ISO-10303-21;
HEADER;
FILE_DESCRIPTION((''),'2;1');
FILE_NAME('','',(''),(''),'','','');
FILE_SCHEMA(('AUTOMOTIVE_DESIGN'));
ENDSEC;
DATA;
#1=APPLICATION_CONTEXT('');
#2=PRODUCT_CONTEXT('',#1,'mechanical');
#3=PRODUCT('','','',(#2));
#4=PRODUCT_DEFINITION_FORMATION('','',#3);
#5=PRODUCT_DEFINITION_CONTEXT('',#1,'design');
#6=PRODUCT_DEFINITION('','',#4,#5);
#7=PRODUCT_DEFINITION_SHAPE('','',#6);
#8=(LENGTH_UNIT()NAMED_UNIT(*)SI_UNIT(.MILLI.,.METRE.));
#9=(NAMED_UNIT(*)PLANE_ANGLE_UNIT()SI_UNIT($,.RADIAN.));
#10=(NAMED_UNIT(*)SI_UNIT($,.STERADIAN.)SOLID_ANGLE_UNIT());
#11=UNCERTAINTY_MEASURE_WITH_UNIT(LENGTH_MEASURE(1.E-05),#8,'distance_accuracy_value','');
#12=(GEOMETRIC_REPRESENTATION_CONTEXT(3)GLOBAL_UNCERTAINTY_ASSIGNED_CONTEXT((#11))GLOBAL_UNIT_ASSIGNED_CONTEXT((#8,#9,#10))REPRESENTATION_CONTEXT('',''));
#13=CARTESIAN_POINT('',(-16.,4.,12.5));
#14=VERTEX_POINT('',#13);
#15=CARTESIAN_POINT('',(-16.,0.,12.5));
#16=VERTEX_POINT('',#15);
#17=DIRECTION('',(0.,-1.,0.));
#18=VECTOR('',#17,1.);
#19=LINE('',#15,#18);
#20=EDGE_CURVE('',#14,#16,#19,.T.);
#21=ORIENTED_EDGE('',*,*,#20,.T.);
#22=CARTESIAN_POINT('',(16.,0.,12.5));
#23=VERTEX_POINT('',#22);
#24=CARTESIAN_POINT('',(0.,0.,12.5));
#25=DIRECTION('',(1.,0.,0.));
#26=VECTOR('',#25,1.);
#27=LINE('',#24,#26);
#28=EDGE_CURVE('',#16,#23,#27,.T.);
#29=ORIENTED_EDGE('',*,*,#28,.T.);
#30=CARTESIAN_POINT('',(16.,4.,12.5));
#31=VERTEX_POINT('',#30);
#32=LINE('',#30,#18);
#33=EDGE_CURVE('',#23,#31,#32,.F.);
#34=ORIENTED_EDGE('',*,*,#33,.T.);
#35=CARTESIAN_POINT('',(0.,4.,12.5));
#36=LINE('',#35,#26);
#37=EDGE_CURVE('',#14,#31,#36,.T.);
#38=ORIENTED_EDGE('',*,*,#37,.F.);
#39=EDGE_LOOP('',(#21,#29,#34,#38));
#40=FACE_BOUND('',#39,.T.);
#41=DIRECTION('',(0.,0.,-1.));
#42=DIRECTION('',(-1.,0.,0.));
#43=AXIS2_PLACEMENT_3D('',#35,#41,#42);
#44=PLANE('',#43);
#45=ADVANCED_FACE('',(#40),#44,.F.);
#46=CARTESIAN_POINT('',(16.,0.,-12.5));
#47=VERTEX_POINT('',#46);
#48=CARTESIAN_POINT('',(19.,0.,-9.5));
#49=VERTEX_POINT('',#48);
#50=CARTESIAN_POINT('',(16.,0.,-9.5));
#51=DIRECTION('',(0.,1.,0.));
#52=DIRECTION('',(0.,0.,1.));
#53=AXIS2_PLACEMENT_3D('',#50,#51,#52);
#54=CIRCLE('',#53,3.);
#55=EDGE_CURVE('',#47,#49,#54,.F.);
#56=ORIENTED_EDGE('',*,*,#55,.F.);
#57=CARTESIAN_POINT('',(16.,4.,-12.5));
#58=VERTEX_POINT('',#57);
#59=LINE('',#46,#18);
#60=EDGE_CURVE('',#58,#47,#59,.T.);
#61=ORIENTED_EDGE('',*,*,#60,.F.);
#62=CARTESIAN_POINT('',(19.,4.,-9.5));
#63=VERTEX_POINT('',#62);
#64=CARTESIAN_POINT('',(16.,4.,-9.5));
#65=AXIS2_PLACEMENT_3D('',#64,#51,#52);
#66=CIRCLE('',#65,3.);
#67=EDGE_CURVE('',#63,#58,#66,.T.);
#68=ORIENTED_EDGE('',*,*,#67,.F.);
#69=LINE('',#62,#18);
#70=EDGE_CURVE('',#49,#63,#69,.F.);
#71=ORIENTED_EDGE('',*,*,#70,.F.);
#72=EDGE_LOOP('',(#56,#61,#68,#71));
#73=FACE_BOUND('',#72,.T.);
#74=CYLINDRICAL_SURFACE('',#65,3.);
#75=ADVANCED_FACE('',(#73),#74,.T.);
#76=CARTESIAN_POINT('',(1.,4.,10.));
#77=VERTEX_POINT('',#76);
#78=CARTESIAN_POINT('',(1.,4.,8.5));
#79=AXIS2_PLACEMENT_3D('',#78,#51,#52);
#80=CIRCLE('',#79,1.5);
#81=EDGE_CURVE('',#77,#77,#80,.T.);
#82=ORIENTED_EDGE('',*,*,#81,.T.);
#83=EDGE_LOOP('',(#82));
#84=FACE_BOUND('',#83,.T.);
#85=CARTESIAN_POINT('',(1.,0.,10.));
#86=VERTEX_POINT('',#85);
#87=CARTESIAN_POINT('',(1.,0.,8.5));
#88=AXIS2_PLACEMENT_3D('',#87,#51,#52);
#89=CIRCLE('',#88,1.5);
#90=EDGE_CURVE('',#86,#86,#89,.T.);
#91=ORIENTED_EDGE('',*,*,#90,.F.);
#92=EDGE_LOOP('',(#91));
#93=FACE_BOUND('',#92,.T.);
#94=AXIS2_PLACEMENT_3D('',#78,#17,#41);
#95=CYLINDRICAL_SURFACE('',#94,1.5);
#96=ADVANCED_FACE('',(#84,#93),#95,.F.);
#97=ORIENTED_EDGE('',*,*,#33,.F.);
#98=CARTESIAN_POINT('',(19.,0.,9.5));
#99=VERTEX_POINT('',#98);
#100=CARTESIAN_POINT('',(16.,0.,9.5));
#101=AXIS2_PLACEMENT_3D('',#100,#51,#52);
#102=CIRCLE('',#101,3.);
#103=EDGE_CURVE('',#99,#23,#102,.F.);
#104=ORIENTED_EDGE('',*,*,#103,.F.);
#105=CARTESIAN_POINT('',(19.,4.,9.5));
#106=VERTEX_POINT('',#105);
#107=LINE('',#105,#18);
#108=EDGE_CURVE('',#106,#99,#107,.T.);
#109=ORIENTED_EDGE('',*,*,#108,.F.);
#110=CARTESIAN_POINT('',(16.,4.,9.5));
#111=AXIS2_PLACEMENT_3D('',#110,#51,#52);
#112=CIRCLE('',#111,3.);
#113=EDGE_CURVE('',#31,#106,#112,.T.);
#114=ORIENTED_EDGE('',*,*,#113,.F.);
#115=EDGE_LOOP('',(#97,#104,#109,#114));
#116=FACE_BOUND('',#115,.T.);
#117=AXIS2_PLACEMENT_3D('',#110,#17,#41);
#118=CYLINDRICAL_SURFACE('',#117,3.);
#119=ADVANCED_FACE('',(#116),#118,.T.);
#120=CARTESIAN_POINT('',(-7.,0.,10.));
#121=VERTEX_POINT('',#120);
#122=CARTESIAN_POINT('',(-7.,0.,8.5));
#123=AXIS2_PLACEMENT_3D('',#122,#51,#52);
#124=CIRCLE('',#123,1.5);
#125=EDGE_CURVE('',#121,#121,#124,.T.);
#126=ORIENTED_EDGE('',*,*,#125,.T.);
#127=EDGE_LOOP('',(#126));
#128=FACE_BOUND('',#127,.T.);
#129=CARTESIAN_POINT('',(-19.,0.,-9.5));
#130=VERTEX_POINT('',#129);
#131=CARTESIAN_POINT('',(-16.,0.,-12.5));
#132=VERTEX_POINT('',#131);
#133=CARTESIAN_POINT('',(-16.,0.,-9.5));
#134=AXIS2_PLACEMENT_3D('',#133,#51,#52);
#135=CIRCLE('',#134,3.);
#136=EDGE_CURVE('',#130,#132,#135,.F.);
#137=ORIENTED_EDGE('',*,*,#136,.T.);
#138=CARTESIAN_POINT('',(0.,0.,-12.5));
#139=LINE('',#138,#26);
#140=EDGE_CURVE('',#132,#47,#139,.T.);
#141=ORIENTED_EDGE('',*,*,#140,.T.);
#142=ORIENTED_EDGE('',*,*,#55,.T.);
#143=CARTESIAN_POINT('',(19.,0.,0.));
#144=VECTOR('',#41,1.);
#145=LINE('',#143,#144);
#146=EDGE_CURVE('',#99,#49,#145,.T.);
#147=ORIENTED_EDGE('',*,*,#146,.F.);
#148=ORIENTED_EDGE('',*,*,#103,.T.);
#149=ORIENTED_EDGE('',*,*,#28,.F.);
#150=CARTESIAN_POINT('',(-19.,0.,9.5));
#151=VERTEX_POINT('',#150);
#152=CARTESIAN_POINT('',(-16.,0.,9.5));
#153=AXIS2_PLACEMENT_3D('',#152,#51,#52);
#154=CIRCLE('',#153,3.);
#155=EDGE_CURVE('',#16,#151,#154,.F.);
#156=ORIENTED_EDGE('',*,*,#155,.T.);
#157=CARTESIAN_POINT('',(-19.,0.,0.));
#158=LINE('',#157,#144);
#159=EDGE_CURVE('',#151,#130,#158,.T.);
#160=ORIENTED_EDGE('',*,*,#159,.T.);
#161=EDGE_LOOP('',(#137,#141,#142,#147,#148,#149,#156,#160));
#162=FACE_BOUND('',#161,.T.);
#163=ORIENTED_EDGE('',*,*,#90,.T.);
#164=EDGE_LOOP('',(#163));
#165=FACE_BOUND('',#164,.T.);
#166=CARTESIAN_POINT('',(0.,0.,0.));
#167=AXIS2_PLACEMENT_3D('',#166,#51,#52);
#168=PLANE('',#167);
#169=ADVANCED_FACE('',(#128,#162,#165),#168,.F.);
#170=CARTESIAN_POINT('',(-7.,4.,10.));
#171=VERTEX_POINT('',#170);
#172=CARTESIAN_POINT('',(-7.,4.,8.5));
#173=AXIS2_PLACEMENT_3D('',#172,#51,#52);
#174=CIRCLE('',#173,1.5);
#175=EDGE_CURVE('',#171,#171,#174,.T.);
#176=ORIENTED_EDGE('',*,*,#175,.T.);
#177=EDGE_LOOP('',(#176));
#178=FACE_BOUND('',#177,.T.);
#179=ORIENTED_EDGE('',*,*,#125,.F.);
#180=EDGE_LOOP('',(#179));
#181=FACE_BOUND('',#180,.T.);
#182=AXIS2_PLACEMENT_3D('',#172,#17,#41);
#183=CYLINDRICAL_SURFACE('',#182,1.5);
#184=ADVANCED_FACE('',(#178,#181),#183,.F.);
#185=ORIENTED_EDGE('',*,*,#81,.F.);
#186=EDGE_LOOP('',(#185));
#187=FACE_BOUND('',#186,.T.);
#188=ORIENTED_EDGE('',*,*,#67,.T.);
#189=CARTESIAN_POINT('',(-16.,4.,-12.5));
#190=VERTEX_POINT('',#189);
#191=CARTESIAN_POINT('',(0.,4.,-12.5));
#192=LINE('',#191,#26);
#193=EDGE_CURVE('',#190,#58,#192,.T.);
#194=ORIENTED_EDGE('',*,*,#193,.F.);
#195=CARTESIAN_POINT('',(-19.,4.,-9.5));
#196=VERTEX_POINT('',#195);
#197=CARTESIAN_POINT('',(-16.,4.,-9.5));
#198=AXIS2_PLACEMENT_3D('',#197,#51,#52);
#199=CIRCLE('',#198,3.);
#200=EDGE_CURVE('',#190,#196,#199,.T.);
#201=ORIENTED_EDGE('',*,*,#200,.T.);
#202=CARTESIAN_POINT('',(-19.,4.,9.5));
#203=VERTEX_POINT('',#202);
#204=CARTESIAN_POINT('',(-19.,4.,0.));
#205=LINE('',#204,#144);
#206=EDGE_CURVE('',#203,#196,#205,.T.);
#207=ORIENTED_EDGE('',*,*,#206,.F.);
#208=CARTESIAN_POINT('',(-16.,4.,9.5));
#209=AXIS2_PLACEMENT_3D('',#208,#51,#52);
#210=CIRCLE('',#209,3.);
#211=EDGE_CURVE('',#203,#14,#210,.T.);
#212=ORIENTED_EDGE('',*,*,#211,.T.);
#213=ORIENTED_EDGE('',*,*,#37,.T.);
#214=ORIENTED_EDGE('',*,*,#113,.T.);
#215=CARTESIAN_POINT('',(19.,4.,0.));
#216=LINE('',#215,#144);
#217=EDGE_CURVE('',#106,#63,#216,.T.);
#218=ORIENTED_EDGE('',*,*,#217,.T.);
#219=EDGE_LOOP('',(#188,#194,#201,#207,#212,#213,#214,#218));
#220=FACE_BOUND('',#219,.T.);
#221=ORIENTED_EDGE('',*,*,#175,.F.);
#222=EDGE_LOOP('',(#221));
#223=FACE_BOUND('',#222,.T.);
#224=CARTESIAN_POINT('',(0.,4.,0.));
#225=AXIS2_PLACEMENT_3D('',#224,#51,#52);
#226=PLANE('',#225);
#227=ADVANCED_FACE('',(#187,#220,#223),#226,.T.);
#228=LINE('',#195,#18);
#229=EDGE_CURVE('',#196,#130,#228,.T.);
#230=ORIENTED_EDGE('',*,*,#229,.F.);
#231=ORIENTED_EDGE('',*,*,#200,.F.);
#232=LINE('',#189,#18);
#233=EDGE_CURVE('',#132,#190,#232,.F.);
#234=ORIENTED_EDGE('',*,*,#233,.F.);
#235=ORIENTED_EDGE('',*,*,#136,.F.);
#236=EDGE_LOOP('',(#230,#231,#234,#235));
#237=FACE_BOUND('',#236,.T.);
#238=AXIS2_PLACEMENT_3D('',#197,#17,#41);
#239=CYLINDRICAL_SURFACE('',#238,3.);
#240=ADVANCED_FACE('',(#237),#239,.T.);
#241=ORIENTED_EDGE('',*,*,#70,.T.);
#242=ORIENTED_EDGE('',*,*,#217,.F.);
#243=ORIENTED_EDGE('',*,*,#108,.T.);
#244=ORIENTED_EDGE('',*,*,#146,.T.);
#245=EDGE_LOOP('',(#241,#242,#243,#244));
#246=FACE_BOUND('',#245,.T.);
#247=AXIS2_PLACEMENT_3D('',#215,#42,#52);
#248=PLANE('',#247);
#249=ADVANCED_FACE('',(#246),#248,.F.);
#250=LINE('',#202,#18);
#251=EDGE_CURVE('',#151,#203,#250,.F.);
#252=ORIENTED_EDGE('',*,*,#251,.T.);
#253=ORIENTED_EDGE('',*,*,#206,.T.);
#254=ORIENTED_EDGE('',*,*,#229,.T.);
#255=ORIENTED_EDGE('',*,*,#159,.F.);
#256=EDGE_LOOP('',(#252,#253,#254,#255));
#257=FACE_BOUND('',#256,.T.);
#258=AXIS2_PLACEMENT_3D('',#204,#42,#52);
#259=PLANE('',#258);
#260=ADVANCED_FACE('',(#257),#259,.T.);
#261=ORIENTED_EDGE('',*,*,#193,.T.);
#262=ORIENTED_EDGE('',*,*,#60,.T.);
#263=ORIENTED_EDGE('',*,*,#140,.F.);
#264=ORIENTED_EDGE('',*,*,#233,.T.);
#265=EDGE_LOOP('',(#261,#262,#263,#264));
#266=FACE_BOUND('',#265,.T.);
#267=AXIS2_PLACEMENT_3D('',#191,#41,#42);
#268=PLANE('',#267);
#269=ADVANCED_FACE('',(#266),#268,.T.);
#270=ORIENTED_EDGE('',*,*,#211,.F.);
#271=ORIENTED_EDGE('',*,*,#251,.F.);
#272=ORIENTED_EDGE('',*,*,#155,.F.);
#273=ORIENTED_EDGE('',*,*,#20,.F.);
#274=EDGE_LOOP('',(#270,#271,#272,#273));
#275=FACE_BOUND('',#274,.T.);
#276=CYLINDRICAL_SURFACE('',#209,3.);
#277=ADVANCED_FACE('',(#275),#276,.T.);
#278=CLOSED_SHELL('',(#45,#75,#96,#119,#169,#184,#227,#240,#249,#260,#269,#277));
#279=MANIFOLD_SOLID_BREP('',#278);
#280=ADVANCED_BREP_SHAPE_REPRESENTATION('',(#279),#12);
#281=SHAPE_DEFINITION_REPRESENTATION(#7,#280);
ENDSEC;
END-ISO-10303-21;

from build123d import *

# Parameters (mm, degrees)
SKETCH_1_W      = 38
SKETCH_1_H      = 25
SKETCH_1_R      = 1.5
EXTRUDE_1_DEPTH = 4
FILLET_1_R      = 3


with BuildPart() as part:
    # 草图1 → 凸台-拉伸1 (new body)
    with BuildSketch(Plane(origin=(0, 0, 0), x_dir=(1, 0, 0), z_dir=(0, 1, 0))):
        Rectangle(SKETCH_1_W, SKETCH_1_H)
        with Locations(Location((-7, -8.5, 0), (0, 0, 270))):
            Circle(SKETCH_1_R, mode=Mode.SUBTRACT)
        with Locations(Location((1, -8.5, 0), (0, 0, 270))):
            Circle(SKETCH_1_R, mode=Mode.SUBTRACT)
    extrude(amount=EXTRUDE_1_DEPTH)

    # 圆角1
    fillet_1_edges = [part.edges().sort_by_distance(p)[0] for p in [
        (-19, 2, 12.5),
        (-19, 2, -12.5),
        (19, 2, -12.5),
        (19, 2, 12.5),
    ]]
    fillet(fillet_1_edges, radius=FILLET_1_R)


solid = part.part
